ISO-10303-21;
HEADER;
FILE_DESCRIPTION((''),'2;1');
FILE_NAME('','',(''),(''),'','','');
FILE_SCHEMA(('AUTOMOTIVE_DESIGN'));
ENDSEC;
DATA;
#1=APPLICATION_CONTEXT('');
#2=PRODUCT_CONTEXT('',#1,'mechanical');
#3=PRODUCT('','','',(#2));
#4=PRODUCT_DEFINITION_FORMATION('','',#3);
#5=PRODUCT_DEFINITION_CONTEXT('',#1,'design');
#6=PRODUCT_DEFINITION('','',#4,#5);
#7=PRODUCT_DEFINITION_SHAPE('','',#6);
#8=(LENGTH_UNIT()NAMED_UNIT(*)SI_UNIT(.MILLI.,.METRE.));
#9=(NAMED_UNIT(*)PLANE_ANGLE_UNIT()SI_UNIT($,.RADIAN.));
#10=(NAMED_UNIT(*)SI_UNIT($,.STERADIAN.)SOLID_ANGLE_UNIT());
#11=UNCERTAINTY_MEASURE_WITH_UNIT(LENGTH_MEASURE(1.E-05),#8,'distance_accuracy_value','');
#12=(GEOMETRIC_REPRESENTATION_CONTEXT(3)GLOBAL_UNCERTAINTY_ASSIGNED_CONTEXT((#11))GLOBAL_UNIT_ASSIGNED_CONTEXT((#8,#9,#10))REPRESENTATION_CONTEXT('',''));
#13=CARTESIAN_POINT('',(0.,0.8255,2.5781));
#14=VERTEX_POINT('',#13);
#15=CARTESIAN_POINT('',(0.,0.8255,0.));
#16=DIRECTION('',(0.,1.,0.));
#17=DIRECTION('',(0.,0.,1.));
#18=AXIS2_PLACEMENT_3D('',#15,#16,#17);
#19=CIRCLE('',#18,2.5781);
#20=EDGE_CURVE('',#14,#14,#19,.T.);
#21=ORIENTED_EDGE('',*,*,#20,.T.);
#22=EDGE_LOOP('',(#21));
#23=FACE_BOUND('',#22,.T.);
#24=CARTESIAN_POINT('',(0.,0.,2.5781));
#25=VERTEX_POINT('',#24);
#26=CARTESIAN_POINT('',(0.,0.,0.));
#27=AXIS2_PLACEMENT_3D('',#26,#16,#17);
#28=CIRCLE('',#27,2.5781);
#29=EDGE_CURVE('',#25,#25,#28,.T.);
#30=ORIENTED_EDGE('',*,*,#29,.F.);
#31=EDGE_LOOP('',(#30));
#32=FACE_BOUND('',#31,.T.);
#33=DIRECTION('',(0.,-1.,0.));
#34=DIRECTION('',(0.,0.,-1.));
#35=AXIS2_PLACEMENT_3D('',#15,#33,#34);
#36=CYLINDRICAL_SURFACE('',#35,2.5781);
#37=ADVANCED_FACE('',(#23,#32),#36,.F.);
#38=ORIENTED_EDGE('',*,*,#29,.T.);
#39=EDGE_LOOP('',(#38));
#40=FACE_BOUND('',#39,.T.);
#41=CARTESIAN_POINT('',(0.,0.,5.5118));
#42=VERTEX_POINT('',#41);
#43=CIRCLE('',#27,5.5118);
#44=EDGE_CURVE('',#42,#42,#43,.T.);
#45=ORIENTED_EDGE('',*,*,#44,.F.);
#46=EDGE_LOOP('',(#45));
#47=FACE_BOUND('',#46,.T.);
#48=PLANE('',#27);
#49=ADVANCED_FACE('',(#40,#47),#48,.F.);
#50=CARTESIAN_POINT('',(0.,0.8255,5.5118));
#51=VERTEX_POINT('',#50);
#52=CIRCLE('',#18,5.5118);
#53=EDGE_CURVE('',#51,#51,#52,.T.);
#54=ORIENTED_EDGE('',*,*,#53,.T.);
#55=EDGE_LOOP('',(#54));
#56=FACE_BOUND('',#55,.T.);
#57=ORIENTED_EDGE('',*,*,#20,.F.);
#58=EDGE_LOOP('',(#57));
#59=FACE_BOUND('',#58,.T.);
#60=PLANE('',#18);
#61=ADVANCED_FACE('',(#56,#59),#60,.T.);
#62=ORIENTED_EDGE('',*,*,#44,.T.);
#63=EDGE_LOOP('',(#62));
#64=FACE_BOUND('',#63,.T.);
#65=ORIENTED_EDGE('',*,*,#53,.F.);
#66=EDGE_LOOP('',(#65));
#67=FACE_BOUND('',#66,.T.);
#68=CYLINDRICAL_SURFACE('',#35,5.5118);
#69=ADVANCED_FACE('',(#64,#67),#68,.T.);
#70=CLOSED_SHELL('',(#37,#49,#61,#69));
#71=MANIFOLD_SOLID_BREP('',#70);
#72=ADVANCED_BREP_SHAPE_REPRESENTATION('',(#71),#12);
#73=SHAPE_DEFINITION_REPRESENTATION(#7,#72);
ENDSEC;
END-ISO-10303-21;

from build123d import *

# Parameters (mm, degrees)
SKETCH1_R           = 5.5118
SKETCH1_R_2         = 2.5781
BOSS_EXTRUDE1_DEPTH = 0.8255


with BuildPart() as part:
    # Sketch1 → Boss-Extrude1 (new body)
    with BuildSketch(Plane(origin=(0, 0, 0), x_dir=(1, 0, 0), z_dir=(0, 1, 0))):
        Circle(SKETCH1_R)
        Circle(SKETCH1_R_2, mode=Mode.SUBTRACT)
    extrude(amount=BOSS_EXTRUDE1_DEPTH)


solid = part.part
